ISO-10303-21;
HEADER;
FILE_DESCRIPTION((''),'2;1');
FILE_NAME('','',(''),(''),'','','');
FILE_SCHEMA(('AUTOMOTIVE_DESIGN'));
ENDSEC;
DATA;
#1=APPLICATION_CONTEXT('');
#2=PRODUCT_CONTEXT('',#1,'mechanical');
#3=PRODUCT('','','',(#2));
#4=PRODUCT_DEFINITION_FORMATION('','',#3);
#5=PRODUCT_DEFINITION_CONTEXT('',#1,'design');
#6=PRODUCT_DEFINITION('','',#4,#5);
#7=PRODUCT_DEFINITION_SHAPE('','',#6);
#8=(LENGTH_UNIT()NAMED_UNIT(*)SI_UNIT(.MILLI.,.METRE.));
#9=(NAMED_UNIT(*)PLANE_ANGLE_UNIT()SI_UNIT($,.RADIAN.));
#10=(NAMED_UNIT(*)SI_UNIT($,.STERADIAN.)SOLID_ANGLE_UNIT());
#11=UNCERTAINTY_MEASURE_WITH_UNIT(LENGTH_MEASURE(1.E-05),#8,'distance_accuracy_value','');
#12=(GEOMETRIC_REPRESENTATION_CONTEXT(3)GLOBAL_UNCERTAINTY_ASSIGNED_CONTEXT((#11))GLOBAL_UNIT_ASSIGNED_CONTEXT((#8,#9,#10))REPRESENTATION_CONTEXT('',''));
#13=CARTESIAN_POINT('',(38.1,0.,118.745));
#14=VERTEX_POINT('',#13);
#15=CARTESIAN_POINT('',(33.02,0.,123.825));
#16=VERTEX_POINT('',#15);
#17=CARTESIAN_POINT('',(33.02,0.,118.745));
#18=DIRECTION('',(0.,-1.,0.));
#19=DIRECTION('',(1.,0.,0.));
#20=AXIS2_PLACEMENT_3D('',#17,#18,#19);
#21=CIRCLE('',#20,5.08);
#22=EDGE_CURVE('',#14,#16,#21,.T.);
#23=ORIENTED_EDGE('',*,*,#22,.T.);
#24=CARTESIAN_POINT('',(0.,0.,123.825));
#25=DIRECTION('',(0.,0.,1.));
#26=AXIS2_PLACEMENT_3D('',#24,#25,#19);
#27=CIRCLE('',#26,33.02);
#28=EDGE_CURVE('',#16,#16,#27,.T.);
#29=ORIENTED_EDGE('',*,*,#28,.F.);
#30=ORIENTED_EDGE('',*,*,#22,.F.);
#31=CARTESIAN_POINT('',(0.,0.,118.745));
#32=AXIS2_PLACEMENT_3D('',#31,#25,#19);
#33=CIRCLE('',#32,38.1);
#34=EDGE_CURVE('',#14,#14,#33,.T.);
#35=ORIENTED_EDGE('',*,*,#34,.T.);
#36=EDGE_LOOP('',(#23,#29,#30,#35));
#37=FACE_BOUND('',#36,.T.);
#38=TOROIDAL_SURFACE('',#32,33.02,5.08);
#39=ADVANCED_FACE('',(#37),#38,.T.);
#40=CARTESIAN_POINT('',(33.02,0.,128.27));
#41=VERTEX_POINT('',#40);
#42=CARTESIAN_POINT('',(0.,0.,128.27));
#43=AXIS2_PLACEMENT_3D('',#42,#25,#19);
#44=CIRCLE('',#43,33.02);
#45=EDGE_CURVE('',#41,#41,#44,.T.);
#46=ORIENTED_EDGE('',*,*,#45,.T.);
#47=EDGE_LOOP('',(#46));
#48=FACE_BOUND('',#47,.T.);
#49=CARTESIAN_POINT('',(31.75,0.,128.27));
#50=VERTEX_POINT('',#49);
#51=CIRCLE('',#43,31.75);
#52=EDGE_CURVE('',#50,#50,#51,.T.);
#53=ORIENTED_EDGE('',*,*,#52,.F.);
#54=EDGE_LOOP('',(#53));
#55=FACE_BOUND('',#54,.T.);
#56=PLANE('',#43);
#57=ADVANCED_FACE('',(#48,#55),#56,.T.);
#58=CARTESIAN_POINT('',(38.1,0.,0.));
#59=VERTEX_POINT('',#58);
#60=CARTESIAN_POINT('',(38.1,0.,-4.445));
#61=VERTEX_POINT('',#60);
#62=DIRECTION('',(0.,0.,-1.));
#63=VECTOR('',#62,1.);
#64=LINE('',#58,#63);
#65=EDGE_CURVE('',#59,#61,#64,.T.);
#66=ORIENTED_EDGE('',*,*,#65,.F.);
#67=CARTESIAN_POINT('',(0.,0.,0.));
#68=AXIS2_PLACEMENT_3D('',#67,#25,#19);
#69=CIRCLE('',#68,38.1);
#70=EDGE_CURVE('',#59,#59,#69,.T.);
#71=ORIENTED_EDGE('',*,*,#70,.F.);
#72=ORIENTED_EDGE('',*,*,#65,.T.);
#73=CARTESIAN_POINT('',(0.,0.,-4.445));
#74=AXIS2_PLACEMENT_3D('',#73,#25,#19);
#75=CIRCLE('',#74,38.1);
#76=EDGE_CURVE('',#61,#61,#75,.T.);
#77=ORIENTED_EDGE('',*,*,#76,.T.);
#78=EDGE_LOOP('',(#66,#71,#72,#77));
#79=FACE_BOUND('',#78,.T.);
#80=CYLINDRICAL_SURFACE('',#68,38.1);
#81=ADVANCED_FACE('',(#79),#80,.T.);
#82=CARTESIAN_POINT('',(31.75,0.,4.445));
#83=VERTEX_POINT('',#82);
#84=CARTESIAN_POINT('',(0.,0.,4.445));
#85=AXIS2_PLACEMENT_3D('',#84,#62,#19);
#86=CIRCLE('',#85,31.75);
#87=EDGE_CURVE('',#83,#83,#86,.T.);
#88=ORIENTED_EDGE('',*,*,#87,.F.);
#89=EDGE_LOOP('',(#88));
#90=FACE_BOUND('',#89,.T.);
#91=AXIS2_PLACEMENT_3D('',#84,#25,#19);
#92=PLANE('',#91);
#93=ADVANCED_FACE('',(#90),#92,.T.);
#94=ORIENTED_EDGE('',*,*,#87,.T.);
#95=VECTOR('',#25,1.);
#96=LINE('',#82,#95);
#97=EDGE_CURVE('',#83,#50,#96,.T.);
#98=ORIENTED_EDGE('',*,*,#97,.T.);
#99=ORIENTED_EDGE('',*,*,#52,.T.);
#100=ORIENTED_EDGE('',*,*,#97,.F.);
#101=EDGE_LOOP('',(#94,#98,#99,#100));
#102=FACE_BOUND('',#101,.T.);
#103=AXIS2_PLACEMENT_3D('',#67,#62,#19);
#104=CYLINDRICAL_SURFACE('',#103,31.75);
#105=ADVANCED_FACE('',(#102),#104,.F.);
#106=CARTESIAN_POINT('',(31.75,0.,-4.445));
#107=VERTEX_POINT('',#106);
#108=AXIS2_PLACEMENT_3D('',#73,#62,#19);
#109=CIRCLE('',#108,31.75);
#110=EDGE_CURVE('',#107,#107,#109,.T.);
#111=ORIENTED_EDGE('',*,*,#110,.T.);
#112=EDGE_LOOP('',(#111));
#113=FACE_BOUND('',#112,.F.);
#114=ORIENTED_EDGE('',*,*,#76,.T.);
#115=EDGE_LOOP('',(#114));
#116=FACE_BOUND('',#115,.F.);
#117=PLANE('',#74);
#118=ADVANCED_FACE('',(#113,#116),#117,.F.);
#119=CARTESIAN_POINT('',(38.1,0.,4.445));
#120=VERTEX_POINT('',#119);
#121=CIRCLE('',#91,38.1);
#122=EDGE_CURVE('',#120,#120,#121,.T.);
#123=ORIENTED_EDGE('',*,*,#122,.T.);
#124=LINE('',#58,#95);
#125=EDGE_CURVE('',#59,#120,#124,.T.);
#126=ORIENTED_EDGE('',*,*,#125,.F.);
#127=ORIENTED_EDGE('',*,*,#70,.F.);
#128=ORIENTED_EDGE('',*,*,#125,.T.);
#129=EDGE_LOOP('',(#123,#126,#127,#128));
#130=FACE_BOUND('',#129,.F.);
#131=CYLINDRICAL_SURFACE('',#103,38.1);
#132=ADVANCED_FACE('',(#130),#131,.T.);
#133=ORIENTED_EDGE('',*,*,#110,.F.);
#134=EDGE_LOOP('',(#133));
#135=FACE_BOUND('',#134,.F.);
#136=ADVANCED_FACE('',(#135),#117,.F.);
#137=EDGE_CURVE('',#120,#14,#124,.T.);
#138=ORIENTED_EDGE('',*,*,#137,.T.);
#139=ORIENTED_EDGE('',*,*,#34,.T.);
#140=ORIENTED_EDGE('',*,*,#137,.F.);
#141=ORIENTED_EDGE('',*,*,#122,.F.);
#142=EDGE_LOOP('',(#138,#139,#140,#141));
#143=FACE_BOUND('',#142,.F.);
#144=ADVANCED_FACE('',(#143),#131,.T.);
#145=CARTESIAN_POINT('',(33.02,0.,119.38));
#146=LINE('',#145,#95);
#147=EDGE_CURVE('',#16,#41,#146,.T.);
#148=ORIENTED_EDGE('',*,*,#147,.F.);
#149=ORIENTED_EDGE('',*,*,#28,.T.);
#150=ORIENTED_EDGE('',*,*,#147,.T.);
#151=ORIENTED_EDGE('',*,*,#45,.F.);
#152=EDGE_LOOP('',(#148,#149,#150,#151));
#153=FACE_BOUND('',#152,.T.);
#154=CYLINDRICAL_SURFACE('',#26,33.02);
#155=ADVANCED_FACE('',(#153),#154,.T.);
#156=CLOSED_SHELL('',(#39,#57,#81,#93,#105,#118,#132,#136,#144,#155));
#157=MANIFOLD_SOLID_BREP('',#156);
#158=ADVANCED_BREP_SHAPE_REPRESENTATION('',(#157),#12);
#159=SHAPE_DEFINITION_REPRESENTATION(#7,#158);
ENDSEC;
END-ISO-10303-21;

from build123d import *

# Parameters (mm, degrees)
F0_R         = 38.1
F0_R_2       = 31.75
F1_DEPTH     = 123.825
F2_R         = 5.08
F3_R         = 38.1
F3_R_2       = 31.75
F1_FACE_R    = 38.1
F1_FACE_R_2  = 31.75
F1_FACE1_R   = 33.02
F1_FACE1_R_2 = 31.75
F4_DEPTH     = 4.445


with BuildPart() as f1:
    # F0 (on Top) → F1 (new body)
    with BuildSketch(Plane.XY):
        Circle(F0_R)
        Circle(F0_R_2, mode=Mode.SUBTRACT)
    extrude(amount=F1_DEPTH)

    # F2
    f2_edges = [f1.edges().sort_by_distance(p)[0] for p in [
        (-38.1, 0, 123.825),
    ]]
    fillet(f2_edges, radius=F2_R)

    # F3 (on face) + F1_face (on face) + F0 (on Top) + F1_face1 (on face) → F4 (join, symmetric)
    with BuildSketch(Plane.XY):
        Circle(F3_R)
        Circle(F3_R_2, mode=Mode.SUBTRACT)
        Circle(F3_R_2)
    with BuildSketch(Plane(origin=(0, 0, 0), x_dir=(1, 0, 0), z_dir=(0, 0, -1))):
        Circle(F1_FACE_R)
        Circle(F1_FACE_R_2, mode=Mode.SUBTRACT)
    with BuildSketch(Plane.XY):
        Circle(F0_R)
        Circle(F0_R_2, mode=Mode.SUBTRACT)
    with BuildSketch(Plane.XY.offset(123.825)):
        Circle(F1_FACE1_R)
        Circle(F1_FACE1_R_2, mode=Mode.SUBTRACT)
    extrude(amount=F4_DEPTH, both=True, dir=(0, 0, 1))


solid = f1.part
